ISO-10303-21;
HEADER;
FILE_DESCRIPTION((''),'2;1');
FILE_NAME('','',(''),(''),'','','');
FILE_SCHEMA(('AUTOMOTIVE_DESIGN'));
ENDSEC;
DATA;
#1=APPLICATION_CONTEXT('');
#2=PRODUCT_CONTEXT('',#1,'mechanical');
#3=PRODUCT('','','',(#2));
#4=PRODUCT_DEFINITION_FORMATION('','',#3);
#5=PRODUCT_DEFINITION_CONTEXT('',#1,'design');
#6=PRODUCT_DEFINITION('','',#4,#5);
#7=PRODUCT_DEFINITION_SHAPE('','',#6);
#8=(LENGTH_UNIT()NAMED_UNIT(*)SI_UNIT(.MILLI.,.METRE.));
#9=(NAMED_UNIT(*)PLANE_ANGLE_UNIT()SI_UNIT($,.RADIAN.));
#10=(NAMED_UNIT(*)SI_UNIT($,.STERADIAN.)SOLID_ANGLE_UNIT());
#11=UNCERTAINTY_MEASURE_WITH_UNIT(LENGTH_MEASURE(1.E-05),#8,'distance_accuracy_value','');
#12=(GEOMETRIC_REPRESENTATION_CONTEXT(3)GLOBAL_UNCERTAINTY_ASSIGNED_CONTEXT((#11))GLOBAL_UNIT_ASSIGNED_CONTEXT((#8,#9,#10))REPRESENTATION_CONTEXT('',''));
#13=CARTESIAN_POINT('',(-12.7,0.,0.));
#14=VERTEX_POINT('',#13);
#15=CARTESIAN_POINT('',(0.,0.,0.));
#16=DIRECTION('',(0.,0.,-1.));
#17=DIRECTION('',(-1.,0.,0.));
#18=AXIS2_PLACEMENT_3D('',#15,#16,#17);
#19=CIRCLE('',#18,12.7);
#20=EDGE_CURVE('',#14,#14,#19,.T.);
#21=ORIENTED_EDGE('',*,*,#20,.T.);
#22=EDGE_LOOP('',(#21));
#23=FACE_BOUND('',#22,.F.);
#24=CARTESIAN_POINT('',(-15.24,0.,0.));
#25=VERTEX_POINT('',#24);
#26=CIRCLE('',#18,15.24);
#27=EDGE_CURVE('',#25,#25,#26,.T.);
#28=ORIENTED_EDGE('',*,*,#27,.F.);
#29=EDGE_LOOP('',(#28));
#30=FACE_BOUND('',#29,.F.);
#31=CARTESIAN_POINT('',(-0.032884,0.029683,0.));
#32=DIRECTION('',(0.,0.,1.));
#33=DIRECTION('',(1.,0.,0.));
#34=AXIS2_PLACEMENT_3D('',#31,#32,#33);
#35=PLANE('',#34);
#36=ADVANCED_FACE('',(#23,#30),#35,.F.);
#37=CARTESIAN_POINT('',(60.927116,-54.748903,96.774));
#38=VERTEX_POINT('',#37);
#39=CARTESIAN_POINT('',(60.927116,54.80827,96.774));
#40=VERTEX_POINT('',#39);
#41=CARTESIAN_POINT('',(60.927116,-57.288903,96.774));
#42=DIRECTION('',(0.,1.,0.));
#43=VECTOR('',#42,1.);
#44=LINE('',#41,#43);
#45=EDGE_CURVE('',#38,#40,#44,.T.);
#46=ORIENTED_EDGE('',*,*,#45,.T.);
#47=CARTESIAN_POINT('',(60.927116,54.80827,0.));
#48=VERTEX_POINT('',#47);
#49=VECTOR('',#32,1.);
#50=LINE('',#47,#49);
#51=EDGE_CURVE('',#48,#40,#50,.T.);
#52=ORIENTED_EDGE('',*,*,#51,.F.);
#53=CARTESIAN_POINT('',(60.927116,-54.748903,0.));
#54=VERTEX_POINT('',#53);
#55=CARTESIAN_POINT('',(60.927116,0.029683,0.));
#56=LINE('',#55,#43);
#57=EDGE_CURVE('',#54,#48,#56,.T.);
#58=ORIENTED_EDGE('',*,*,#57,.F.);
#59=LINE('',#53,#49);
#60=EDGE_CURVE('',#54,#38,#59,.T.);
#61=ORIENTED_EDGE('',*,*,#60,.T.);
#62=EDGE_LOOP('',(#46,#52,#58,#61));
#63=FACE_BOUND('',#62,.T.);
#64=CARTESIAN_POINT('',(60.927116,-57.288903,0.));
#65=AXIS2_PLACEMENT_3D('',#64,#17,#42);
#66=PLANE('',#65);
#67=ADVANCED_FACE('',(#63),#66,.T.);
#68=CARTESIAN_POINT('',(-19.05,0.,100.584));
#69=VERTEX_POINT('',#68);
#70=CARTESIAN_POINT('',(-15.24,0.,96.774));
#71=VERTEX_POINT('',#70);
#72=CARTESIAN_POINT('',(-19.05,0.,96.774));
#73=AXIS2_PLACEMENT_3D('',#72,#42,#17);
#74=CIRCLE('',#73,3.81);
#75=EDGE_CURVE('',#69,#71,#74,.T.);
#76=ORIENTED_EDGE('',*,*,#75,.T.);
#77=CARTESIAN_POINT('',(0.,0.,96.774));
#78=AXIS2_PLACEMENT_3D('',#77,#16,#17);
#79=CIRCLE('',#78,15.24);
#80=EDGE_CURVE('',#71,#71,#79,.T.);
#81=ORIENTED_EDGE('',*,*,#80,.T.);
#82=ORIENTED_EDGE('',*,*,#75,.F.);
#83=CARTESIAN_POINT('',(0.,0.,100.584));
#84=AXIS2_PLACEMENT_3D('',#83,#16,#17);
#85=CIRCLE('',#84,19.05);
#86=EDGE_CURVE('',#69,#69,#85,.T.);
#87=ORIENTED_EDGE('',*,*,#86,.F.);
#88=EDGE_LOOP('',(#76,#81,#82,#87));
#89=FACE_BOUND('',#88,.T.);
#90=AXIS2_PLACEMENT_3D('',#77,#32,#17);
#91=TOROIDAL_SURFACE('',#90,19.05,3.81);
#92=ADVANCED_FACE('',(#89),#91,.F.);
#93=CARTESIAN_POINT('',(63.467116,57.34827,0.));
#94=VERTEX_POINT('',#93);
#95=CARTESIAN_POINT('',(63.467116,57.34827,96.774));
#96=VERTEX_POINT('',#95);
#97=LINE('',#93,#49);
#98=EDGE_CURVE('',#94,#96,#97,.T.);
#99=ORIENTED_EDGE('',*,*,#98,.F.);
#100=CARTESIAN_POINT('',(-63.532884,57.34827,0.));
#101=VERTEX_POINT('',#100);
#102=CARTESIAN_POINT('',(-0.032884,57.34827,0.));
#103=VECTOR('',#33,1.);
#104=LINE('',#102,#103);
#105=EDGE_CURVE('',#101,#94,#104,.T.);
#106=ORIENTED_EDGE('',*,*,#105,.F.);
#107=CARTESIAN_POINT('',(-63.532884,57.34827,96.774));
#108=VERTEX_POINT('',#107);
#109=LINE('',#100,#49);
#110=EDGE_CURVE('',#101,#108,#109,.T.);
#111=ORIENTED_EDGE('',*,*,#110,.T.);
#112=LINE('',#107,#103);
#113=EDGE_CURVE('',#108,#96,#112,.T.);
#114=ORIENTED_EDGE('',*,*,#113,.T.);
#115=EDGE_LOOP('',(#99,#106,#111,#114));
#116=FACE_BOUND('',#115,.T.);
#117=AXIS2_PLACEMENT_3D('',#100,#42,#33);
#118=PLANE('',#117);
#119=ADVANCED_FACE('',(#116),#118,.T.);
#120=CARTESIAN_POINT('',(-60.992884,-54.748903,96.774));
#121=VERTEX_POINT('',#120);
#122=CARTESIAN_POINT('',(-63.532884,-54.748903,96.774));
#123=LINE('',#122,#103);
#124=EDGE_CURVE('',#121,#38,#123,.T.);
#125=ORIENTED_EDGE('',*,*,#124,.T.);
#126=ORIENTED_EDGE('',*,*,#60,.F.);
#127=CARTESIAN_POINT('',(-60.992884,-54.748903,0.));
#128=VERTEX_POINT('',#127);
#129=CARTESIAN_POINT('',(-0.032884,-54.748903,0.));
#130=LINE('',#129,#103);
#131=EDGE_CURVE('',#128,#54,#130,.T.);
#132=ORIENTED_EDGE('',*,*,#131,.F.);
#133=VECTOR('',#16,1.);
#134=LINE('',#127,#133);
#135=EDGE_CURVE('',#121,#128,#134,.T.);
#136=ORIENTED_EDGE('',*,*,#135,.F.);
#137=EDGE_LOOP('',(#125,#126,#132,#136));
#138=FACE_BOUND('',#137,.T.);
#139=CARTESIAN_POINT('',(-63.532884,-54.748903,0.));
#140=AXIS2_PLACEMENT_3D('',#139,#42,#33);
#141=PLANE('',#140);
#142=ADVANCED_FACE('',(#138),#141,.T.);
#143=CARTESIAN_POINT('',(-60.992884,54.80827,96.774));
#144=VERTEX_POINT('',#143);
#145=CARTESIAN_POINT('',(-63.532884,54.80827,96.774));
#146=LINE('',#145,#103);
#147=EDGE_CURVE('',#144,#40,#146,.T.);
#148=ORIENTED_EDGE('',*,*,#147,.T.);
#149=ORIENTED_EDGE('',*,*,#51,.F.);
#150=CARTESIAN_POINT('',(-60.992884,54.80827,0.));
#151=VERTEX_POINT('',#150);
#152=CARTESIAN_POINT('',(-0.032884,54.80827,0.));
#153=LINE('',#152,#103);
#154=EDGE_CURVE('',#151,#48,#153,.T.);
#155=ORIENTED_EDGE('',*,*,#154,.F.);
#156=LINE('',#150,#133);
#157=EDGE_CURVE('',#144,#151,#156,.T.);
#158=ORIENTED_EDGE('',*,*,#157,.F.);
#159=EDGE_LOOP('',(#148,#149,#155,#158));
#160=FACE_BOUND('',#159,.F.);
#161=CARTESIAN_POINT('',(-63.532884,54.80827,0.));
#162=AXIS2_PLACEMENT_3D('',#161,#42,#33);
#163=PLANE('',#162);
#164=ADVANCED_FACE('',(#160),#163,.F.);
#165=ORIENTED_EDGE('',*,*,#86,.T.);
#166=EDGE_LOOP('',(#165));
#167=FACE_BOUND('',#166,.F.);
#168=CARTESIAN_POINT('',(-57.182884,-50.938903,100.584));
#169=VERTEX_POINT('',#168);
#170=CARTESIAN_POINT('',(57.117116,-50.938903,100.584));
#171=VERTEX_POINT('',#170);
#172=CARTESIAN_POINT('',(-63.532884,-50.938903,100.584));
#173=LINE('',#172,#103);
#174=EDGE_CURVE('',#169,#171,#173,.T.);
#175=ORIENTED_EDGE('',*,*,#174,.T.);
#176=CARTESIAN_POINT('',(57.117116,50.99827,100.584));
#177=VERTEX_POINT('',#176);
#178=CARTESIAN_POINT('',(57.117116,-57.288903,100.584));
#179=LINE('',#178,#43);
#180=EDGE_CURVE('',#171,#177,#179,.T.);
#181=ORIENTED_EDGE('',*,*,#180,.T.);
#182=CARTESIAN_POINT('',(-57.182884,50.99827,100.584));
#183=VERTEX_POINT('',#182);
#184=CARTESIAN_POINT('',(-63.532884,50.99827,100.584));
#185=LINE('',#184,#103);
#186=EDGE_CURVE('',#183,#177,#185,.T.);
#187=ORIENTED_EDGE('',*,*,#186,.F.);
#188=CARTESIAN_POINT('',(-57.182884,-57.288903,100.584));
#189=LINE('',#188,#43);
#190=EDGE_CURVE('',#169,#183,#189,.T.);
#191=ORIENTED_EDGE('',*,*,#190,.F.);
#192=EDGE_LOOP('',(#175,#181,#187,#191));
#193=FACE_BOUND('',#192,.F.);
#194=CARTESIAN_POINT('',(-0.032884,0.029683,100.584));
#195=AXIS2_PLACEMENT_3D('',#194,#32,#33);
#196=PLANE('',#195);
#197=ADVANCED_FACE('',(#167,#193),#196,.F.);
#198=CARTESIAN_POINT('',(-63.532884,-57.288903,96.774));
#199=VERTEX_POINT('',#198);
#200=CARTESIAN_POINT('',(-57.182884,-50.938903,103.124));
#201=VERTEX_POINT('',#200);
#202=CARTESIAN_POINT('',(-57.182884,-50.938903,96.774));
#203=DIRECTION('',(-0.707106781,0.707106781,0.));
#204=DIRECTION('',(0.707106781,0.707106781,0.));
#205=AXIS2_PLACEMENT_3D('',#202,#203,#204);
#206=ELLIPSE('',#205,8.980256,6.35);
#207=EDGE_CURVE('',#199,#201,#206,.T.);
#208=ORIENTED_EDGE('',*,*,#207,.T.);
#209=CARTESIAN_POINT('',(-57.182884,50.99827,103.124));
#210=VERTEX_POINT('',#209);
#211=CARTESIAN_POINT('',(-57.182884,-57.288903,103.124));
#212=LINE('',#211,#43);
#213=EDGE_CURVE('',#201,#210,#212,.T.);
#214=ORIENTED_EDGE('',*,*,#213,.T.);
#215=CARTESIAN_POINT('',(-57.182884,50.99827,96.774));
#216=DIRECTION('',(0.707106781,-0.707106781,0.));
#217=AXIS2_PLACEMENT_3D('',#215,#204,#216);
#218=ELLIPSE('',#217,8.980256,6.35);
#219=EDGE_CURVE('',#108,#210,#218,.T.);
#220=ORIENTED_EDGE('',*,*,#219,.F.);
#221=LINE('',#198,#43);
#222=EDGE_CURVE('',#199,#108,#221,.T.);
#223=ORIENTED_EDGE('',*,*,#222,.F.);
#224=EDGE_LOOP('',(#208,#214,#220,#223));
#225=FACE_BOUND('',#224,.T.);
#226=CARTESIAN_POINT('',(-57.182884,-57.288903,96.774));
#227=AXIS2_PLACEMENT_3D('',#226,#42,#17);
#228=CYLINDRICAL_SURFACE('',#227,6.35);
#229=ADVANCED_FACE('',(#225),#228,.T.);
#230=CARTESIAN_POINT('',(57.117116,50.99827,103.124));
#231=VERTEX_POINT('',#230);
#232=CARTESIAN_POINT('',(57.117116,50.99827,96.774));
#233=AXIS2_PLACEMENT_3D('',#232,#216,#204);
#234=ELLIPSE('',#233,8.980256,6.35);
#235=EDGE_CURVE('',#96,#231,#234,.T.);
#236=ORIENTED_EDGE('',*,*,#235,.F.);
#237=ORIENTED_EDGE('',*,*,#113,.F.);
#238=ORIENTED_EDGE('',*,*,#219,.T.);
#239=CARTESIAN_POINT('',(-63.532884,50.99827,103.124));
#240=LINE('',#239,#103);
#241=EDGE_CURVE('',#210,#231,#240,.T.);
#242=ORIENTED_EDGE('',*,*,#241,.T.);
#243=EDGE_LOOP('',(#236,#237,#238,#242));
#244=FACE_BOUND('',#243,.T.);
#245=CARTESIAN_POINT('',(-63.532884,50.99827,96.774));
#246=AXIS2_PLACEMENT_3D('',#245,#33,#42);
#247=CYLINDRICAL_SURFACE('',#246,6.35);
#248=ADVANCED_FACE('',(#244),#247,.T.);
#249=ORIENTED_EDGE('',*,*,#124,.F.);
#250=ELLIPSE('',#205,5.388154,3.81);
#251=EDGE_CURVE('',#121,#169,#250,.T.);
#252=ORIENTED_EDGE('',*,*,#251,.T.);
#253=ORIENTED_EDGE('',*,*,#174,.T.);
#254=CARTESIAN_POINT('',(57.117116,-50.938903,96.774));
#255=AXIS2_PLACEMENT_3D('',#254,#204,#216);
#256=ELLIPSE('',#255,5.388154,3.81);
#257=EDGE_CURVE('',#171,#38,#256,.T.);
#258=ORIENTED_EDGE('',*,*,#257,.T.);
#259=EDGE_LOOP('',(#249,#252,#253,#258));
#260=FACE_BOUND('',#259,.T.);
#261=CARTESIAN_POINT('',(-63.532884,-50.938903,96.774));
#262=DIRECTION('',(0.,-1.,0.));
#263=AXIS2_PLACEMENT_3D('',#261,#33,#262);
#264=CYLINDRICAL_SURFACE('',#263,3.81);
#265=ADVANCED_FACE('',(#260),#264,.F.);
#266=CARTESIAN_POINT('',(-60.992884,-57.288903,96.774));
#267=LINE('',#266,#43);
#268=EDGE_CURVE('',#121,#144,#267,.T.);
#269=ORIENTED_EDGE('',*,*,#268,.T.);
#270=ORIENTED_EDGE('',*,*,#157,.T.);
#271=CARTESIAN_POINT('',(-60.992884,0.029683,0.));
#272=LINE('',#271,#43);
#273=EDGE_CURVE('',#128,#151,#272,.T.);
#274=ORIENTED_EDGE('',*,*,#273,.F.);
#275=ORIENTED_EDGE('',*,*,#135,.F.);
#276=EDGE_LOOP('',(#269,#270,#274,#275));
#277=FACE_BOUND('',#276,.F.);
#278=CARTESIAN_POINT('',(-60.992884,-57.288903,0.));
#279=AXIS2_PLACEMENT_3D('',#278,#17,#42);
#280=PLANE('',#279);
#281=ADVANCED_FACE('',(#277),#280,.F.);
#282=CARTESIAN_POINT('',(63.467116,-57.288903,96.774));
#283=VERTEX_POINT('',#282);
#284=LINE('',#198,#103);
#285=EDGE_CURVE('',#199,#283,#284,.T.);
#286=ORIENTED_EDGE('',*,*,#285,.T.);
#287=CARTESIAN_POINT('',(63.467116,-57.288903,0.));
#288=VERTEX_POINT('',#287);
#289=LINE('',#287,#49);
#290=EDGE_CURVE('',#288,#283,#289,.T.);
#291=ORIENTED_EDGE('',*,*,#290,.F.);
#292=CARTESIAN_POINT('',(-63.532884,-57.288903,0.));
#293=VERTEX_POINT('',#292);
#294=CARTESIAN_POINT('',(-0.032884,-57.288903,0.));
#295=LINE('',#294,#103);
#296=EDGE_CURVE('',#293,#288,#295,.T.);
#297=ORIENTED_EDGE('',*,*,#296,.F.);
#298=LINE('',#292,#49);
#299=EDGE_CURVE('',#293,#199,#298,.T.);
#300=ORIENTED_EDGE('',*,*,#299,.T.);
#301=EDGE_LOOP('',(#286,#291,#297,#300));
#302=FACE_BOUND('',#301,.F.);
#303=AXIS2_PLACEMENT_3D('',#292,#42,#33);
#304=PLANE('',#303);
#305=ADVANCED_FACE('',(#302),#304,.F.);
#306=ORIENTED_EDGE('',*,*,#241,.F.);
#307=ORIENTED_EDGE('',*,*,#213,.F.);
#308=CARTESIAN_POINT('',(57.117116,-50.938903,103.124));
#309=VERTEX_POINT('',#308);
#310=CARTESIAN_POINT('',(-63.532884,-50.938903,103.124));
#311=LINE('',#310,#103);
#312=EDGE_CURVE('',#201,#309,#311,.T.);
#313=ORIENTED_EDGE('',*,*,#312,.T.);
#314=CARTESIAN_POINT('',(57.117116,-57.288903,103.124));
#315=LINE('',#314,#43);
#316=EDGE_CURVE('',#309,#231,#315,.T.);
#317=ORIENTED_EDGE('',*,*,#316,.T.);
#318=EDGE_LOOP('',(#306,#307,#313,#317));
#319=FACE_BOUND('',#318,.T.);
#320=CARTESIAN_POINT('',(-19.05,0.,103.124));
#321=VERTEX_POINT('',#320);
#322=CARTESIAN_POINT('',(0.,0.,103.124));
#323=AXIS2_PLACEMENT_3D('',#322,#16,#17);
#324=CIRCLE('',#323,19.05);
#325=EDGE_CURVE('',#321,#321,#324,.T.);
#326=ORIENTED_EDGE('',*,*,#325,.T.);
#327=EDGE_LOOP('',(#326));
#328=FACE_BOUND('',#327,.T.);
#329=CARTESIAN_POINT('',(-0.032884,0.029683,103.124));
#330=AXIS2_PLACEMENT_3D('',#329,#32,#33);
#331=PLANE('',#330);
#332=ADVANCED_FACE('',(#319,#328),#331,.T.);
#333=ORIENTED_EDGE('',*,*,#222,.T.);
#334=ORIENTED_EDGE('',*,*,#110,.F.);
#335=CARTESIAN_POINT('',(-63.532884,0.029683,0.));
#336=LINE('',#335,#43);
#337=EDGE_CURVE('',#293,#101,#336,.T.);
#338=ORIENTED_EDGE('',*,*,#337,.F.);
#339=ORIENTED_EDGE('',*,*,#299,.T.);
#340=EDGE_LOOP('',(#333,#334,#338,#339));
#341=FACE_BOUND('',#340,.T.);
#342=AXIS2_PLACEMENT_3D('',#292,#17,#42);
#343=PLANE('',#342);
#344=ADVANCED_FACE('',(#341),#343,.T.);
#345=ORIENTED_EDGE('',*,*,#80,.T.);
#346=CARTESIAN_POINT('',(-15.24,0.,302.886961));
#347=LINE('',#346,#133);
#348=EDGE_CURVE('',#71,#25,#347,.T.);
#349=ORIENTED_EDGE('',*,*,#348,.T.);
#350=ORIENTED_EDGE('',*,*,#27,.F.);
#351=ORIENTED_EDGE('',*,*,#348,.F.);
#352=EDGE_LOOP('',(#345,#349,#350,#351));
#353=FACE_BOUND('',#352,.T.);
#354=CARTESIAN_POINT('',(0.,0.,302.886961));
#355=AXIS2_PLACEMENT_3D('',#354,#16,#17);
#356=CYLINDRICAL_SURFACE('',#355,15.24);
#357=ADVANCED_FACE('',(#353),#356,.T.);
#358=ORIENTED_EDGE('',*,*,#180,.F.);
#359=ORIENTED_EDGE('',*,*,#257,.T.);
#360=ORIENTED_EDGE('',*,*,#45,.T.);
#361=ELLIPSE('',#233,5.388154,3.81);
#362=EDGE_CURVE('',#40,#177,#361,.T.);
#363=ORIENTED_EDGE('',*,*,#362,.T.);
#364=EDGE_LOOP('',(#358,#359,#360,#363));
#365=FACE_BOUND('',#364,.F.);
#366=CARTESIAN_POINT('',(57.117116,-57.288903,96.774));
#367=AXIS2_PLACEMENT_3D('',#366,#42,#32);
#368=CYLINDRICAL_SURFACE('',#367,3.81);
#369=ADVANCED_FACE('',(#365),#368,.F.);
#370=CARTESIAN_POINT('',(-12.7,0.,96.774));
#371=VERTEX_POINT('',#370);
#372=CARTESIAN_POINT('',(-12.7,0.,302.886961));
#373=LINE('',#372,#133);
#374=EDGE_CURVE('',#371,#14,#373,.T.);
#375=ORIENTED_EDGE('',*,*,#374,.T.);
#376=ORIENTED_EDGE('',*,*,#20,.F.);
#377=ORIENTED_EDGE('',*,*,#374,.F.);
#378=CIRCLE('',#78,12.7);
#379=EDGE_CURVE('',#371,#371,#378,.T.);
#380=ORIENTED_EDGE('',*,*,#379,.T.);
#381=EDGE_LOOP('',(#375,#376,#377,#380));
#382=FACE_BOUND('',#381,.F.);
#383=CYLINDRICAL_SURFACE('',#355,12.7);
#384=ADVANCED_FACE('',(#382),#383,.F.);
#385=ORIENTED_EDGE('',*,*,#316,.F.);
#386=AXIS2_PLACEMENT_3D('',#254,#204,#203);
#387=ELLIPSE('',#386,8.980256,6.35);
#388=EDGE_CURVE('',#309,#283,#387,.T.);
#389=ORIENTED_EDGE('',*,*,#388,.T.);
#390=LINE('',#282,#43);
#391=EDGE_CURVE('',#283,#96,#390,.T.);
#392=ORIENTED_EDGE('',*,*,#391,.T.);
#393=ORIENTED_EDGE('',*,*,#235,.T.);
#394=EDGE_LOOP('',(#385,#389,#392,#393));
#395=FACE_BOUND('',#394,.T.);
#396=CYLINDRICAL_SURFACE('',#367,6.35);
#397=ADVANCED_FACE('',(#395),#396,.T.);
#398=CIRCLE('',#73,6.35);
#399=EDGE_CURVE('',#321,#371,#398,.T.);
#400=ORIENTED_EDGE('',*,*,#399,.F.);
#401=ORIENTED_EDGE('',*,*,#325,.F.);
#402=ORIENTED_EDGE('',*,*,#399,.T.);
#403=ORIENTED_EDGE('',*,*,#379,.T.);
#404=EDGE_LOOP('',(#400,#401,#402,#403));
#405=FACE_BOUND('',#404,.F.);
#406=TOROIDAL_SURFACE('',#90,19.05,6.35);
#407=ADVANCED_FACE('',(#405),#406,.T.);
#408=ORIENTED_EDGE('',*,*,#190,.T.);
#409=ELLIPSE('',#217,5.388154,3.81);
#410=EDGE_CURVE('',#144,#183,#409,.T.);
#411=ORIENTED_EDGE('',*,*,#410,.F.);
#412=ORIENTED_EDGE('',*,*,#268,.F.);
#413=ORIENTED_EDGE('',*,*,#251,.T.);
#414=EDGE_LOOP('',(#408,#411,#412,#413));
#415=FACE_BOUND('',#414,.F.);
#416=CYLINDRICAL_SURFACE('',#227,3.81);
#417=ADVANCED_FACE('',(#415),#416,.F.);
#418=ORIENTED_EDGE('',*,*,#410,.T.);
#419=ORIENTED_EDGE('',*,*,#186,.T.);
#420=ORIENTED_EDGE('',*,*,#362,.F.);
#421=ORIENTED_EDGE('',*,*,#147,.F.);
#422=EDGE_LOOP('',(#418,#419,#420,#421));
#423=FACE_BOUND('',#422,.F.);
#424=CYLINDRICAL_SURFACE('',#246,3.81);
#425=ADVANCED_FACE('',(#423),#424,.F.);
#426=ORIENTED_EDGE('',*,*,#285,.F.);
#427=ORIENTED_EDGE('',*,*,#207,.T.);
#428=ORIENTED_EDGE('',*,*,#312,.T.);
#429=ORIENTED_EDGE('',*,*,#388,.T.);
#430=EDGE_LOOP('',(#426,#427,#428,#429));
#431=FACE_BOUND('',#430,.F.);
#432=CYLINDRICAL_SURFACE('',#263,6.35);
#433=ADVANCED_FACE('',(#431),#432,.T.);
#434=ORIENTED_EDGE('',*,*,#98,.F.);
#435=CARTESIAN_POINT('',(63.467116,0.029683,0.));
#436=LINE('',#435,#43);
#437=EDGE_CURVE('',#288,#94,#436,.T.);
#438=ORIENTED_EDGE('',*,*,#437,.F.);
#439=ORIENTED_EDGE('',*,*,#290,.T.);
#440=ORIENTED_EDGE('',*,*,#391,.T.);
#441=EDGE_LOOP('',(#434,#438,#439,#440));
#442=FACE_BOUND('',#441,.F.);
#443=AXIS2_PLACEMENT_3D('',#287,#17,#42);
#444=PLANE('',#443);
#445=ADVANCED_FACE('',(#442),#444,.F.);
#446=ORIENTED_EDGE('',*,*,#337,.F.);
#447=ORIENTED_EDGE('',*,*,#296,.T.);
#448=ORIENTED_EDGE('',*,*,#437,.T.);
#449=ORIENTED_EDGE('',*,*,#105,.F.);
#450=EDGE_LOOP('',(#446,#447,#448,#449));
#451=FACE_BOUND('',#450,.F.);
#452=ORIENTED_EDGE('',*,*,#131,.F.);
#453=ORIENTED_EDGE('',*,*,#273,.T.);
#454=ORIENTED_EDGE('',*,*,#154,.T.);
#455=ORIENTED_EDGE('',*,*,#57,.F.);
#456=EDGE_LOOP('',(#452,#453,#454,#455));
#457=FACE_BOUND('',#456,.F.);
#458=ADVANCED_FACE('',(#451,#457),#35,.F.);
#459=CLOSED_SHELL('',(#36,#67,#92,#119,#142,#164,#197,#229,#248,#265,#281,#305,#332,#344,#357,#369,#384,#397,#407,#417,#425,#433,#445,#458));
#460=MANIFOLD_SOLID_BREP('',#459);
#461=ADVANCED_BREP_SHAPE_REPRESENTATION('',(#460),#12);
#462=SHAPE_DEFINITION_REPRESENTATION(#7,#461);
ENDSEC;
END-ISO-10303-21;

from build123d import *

# Parameters (mm, degrees)
F0_W     = 127
F0_H     = 114.6371724766
F1_DEPTH = 103.124
F3_D     = 25.4
F4_R     = 6.35
F5_T     = -2.54


with BuildPart() as f1:
    # F0 (on Top) → F1 (new body)
    with BuildSketch(Plane.XY):
        with Locations((-0.032884495, 0.0296833506)):
            Rectangle(F0_W, F0_H)
    extrude(amount=F1_DEPTH)

    # F3 (through all)
    with Locations(Plane.XY.offset(103.124)):
        with Locations((0, 0)):
            Hole(F3_D / 2)

    # F4
    f4_edges = [f1.edges().sort_by_distance(p)[0] for p in [
        (-0.032884, 57.34827, 103.124),
        (63.467116, 0.029683, 103.124),
        (-63.532884, 0.029683, 103.124),
        (-0.032884, -57.288903, 103.124),
        (-12.7, 0, 103.124),
    ]]
    fillet(f4_edges, radius=F4_R)

    # F5
    f5_openings = [f1.faces().sort_by_distance(p)[0] for p in [
        (-0.032884, 55.637402, 0),
    ]]
    offset(amount=F5_T, openings=f5_openings)


solid = f1.part
